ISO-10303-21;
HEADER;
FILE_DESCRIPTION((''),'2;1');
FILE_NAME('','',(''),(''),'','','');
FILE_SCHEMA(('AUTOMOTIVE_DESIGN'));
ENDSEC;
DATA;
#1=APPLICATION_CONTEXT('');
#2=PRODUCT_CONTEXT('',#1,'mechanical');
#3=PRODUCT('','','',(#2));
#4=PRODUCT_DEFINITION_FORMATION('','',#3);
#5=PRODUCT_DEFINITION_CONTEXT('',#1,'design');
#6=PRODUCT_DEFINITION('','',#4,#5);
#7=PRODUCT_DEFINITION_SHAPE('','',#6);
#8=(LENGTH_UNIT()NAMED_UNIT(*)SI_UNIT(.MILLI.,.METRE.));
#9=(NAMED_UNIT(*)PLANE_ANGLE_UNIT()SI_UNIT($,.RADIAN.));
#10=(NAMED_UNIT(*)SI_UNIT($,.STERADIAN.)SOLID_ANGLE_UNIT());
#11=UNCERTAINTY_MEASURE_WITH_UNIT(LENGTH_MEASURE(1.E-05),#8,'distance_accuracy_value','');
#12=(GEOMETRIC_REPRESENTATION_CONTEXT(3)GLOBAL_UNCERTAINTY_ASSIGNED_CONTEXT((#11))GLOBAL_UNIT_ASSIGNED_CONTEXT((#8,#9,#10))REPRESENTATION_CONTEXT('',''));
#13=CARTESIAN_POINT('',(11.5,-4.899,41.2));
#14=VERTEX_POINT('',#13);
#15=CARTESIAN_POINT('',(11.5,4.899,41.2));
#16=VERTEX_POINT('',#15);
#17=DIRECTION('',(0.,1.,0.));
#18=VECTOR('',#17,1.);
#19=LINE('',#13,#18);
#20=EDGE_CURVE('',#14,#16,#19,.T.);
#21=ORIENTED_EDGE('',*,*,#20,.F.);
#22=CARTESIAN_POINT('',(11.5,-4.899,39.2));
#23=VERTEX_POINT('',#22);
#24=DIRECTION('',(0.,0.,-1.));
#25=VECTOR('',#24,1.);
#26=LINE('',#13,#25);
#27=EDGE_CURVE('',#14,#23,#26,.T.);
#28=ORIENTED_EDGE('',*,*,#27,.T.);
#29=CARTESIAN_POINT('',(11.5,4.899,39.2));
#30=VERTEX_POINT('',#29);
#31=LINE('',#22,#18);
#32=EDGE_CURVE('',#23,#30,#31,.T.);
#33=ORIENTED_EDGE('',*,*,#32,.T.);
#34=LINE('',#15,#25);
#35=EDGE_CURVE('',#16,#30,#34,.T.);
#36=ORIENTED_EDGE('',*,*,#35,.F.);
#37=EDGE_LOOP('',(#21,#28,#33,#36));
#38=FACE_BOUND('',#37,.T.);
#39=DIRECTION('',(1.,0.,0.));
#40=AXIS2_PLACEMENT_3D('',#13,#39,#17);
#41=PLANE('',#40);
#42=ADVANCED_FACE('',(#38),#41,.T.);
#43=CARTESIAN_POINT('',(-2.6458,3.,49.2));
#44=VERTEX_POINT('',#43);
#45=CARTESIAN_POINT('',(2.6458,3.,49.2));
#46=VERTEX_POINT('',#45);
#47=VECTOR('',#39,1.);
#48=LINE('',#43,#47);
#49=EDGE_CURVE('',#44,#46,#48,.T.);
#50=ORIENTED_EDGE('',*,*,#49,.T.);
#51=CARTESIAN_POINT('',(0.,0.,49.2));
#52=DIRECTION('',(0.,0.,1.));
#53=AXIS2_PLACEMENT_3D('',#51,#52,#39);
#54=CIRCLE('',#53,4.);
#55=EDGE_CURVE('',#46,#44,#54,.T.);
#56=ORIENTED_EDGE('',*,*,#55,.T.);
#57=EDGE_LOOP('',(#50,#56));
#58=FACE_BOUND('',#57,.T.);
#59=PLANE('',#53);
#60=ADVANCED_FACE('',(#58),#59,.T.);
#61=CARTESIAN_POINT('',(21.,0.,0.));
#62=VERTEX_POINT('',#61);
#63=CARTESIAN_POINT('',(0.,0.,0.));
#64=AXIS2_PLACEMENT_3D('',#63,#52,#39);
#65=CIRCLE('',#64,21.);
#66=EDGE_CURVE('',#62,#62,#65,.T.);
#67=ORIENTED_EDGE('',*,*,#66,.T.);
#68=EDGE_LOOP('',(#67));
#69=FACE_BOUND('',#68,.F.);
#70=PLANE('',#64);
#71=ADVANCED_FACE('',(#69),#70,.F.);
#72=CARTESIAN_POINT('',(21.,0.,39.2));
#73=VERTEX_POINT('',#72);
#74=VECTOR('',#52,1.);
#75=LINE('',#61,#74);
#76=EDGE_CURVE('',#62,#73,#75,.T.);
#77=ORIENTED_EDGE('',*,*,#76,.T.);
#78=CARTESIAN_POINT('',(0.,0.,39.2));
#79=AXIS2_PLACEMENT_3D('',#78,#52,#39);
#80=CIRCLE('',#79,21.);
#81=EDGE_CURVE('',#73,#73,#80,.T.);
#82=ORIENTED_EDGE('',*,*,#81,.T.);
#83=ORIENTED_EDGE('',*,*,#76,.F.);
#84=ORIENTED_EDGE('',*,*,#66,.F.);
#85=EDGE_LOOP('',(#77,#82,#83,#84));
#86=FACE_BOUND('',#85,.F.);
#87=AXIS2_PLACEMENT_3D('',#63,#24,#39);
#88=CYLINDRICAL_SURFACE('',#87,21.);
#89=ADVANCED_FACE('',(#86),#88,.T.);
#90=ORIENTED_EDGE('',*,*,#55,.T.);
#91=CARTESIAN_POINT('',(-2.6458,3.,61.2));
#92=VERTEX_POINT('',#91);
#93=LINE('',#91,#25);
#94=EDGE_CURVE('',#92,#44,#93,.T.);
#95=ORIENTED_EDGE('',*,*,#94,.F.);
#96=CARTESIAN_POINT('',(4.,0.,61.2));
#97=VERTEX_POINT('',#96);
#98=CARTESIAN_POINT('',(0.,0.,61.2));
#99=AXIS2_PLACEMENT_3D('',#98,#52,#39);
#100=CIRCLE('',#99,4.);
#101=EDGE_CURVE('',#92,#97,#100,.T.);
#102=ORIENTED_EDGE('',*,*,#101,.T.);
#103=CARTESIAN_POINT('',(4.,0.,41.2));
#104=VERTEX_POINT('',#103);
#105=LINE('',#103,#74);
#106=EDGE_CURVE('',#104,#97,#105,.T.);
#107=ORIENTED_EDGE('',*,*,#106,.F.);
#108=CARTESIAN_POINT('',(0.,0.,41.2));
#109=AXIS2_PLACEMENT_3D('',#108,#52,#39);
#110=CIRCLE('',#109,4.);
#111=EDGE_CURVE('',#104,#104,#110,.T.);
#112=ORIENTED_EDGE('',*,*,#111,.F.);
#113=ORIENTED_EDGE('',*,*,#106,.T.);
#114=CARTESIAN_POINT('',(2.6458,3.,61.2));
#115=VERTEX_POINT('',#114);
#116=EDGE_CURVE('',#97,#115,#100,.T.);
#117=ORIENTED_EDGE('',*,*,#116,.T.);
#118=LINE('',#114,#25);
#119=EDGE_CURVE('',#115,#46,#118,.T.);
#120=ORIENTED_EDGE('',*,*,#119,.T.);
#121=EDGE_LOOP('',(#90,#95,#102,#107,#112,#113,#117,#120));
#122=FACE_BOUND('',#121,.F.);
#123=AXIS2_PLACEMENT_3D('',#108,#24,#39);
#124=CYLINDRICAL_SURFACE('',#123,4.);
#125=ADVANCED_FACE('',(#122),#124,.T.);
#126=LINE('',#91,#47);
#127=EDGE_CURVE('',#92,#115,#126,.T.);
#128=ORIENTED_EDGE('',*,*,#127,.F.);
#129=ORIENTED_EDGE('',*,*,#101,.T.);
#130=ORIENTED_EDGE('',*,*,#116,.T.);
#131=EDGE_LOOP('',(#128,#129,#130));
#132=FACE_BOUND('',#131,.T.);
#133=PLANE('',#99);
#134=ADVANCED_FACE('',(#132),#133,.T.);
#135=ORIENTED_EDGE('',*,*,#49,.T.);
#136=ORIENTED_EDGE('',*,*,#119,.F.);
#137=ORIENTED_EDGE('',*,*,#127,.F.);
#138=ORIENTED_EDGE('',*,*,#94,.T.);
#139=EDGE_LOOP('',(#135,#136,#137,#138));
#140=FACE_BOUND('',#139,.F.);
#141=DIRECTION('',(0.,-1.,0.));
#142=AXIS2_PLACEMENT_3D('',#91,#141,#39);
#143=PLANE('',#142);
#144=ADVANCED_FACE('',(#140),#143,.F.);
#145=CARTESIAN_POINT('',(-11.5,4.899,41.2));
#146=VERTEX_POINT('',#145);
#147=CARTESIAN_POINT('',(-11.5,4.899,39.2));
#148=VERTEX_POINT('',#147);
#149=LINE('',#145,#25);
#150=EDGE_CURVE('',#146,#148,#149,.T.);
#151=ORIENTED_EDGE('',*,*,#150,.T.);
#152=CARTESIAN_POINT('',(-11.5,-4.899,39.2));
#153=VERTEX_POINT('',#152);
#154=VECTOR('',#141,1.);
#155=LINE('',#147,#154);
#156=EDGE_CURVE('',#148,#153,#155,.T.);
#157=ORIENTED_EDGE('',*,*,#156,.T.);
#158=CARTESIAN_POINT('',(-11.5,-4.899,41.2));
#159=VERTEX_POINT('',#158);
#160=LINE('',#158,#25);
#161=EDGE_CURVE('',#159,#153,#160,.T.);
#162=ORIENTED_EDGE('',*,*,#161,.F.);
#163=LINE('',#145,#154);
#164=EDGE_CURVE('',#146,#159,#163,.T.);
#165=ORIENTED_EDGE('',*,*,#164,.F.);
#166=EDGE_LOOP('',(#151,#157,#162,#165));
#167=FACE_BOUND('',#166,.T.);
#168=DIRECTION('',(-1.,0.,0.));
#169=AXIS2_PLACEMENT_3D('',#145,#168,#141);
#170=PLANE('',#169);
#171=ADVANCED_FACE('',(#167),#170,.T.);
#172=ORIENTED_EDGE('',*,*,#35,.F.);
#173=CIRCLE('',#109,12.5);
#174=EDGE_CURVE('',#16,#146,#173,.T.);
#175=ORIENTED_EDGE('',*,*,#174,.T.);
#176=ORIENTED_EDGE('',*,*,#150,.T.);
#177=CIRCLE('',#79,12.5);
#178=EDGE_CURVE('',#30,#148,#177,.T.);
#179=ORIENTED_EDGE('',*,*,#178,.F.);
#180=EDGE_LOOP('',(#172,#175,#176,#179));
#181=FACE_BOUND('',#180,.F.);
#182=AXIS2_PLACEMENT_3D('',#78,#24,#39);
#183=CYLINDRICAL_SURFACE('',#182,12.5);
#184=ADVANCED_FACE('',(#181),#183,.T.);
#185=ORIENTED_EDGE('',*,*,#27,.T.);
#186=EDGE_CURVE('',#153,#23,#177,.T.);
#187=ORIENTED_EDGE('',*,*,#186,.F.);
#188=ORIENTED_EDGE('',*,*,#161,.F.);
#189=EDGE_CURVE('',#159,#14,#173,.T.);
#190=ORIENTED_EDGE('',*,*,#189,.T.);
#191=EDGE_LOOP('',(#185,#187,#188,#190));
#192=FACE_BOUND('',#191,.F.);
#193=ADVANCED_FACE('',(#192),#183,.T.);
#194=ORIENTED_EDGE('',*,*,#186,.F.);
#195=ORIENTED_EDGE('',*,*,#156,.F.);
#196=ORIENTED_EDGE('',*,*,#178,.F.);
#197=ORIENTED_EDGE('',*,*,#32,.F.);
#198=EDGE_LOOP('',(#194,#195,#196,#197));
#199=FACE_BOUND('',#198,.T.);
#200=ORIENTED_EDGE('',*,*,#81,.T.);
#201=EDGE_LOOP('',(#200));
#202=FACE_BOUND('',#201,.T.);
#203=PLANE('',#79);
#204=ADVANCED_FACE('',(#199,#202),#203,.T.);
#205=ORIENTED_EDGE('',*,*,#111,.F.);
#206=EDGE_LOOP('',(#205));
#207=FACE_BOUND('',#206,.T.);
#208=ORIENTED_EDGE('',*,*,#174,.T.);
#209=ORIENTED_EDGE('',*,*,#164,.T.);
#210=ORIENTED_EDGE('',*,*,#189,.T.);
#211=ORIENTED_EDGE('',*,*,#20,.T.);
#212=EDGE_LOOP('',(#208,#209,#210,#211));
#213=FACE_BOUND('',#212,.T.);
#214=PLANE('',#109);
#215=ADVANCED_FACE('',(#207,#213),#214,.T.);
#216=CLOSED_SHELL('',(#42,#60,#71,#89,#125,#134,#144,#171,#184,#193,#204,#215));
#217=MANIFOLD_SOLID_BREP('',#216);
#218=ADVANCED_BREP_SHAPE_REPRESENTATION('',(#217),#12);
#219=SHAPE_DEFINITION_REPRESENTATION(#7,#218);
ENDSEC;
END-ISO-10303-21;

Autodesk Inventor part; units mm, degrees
ref_plane "YZ Plane" through (0, 0, 0) normal (1, 0, 0) x (0, 1, 0)
ref_plane "XZ Plane" through (0, 0, 0) normal (0, 1, 0) x (-1, 0, 0)
ref_plane "XY Plane" through (0, 0, 0) normal (0, 0, 1) x (1, 0, 0)
sketch "スケッチ1" plane through (0, 0, 0) normal (0, 0, 1) x (1, 0, 0)
  circle A0 centre (0, 0) radius 21
  dimension "d0" = 42
extrude "押し出し1" add sketch "スケッチ1" along normal blind 39.2
sketch "スケッチ2" plane through (0, 0, 39.2) normal (0, 0, 1) x (1, 0, 0)
  circle A0 centre (0, 0) radius 12.5
  dimension "d3" = 25
extrude "押し出し2" add sketch "スケッチ2" along normal blind 2
sketch "スケッチ3" plane through (0, 0, 41.2) normal (0, 0, 1) x (1, 0, 0)
  circle A0 centre (0, 0) radius 4
  dimension "d6" = 8
extrude "押し出し3" add sketch "スケッチ3" along normal blind 20
sketch "スケッチ4" plane through (0, 0, 61.2) normal (0, 0, 1) x (1, 0, 0)
  circle A0 centre (0, 0) radius 4 projected
  circle A1 centre (0, 0) radius 4 projected
  line L0 (-2.6458, 3) -> (2.6458, 3)
  point P0 (0, 3)
  dimension "d9" = 3
extrude "押し出し4" cut sketch "スケッチ4" against normal blind 12 contours L0 A0 picked at (-0.6179, 3.1815)
sketch "スケッチ5" plane through (0, 0, 41.2) normal (0, 0, 1) x (1, 0, 0)
  circle A0 centre (0, 0) radius 12.5 projected
  line L0 (-11.5, 4.899) -> (-11.5, -4.899)
  line L1 (11.5, -4.899) -> (11.5, 4.899)
  point P0 (-11.5, 0)
  point P1 (11.5, 0)
  dimension "d12" = 11.5
  dimension "d13" = 11.5
extrude "押し出し5" cut sketch "スケッチ5" against normal blind 2 contours A0 L1 | L0 A0
equation "\"BendRadius\" = Thickness"
equation "\"BendReliefWidth\" = Thickness"
equation "\"BendReliefDepth\" = 0.5 * Thickness"
equation "\"CornerReliefSize\" = 4 * Thickness"
equation "\"MinimumRemnant\" = 2 * Thickness"
equation "\"TransitionRadius\" = BendRadius"
equation "\"JacobiRadiusSize\" = BendRadius"
equation "\"GapSize\" = Thickness"
equation "\"Thickness\" = 0.5"
properties part number "nhk_purry" material "ステンレス鋼"
